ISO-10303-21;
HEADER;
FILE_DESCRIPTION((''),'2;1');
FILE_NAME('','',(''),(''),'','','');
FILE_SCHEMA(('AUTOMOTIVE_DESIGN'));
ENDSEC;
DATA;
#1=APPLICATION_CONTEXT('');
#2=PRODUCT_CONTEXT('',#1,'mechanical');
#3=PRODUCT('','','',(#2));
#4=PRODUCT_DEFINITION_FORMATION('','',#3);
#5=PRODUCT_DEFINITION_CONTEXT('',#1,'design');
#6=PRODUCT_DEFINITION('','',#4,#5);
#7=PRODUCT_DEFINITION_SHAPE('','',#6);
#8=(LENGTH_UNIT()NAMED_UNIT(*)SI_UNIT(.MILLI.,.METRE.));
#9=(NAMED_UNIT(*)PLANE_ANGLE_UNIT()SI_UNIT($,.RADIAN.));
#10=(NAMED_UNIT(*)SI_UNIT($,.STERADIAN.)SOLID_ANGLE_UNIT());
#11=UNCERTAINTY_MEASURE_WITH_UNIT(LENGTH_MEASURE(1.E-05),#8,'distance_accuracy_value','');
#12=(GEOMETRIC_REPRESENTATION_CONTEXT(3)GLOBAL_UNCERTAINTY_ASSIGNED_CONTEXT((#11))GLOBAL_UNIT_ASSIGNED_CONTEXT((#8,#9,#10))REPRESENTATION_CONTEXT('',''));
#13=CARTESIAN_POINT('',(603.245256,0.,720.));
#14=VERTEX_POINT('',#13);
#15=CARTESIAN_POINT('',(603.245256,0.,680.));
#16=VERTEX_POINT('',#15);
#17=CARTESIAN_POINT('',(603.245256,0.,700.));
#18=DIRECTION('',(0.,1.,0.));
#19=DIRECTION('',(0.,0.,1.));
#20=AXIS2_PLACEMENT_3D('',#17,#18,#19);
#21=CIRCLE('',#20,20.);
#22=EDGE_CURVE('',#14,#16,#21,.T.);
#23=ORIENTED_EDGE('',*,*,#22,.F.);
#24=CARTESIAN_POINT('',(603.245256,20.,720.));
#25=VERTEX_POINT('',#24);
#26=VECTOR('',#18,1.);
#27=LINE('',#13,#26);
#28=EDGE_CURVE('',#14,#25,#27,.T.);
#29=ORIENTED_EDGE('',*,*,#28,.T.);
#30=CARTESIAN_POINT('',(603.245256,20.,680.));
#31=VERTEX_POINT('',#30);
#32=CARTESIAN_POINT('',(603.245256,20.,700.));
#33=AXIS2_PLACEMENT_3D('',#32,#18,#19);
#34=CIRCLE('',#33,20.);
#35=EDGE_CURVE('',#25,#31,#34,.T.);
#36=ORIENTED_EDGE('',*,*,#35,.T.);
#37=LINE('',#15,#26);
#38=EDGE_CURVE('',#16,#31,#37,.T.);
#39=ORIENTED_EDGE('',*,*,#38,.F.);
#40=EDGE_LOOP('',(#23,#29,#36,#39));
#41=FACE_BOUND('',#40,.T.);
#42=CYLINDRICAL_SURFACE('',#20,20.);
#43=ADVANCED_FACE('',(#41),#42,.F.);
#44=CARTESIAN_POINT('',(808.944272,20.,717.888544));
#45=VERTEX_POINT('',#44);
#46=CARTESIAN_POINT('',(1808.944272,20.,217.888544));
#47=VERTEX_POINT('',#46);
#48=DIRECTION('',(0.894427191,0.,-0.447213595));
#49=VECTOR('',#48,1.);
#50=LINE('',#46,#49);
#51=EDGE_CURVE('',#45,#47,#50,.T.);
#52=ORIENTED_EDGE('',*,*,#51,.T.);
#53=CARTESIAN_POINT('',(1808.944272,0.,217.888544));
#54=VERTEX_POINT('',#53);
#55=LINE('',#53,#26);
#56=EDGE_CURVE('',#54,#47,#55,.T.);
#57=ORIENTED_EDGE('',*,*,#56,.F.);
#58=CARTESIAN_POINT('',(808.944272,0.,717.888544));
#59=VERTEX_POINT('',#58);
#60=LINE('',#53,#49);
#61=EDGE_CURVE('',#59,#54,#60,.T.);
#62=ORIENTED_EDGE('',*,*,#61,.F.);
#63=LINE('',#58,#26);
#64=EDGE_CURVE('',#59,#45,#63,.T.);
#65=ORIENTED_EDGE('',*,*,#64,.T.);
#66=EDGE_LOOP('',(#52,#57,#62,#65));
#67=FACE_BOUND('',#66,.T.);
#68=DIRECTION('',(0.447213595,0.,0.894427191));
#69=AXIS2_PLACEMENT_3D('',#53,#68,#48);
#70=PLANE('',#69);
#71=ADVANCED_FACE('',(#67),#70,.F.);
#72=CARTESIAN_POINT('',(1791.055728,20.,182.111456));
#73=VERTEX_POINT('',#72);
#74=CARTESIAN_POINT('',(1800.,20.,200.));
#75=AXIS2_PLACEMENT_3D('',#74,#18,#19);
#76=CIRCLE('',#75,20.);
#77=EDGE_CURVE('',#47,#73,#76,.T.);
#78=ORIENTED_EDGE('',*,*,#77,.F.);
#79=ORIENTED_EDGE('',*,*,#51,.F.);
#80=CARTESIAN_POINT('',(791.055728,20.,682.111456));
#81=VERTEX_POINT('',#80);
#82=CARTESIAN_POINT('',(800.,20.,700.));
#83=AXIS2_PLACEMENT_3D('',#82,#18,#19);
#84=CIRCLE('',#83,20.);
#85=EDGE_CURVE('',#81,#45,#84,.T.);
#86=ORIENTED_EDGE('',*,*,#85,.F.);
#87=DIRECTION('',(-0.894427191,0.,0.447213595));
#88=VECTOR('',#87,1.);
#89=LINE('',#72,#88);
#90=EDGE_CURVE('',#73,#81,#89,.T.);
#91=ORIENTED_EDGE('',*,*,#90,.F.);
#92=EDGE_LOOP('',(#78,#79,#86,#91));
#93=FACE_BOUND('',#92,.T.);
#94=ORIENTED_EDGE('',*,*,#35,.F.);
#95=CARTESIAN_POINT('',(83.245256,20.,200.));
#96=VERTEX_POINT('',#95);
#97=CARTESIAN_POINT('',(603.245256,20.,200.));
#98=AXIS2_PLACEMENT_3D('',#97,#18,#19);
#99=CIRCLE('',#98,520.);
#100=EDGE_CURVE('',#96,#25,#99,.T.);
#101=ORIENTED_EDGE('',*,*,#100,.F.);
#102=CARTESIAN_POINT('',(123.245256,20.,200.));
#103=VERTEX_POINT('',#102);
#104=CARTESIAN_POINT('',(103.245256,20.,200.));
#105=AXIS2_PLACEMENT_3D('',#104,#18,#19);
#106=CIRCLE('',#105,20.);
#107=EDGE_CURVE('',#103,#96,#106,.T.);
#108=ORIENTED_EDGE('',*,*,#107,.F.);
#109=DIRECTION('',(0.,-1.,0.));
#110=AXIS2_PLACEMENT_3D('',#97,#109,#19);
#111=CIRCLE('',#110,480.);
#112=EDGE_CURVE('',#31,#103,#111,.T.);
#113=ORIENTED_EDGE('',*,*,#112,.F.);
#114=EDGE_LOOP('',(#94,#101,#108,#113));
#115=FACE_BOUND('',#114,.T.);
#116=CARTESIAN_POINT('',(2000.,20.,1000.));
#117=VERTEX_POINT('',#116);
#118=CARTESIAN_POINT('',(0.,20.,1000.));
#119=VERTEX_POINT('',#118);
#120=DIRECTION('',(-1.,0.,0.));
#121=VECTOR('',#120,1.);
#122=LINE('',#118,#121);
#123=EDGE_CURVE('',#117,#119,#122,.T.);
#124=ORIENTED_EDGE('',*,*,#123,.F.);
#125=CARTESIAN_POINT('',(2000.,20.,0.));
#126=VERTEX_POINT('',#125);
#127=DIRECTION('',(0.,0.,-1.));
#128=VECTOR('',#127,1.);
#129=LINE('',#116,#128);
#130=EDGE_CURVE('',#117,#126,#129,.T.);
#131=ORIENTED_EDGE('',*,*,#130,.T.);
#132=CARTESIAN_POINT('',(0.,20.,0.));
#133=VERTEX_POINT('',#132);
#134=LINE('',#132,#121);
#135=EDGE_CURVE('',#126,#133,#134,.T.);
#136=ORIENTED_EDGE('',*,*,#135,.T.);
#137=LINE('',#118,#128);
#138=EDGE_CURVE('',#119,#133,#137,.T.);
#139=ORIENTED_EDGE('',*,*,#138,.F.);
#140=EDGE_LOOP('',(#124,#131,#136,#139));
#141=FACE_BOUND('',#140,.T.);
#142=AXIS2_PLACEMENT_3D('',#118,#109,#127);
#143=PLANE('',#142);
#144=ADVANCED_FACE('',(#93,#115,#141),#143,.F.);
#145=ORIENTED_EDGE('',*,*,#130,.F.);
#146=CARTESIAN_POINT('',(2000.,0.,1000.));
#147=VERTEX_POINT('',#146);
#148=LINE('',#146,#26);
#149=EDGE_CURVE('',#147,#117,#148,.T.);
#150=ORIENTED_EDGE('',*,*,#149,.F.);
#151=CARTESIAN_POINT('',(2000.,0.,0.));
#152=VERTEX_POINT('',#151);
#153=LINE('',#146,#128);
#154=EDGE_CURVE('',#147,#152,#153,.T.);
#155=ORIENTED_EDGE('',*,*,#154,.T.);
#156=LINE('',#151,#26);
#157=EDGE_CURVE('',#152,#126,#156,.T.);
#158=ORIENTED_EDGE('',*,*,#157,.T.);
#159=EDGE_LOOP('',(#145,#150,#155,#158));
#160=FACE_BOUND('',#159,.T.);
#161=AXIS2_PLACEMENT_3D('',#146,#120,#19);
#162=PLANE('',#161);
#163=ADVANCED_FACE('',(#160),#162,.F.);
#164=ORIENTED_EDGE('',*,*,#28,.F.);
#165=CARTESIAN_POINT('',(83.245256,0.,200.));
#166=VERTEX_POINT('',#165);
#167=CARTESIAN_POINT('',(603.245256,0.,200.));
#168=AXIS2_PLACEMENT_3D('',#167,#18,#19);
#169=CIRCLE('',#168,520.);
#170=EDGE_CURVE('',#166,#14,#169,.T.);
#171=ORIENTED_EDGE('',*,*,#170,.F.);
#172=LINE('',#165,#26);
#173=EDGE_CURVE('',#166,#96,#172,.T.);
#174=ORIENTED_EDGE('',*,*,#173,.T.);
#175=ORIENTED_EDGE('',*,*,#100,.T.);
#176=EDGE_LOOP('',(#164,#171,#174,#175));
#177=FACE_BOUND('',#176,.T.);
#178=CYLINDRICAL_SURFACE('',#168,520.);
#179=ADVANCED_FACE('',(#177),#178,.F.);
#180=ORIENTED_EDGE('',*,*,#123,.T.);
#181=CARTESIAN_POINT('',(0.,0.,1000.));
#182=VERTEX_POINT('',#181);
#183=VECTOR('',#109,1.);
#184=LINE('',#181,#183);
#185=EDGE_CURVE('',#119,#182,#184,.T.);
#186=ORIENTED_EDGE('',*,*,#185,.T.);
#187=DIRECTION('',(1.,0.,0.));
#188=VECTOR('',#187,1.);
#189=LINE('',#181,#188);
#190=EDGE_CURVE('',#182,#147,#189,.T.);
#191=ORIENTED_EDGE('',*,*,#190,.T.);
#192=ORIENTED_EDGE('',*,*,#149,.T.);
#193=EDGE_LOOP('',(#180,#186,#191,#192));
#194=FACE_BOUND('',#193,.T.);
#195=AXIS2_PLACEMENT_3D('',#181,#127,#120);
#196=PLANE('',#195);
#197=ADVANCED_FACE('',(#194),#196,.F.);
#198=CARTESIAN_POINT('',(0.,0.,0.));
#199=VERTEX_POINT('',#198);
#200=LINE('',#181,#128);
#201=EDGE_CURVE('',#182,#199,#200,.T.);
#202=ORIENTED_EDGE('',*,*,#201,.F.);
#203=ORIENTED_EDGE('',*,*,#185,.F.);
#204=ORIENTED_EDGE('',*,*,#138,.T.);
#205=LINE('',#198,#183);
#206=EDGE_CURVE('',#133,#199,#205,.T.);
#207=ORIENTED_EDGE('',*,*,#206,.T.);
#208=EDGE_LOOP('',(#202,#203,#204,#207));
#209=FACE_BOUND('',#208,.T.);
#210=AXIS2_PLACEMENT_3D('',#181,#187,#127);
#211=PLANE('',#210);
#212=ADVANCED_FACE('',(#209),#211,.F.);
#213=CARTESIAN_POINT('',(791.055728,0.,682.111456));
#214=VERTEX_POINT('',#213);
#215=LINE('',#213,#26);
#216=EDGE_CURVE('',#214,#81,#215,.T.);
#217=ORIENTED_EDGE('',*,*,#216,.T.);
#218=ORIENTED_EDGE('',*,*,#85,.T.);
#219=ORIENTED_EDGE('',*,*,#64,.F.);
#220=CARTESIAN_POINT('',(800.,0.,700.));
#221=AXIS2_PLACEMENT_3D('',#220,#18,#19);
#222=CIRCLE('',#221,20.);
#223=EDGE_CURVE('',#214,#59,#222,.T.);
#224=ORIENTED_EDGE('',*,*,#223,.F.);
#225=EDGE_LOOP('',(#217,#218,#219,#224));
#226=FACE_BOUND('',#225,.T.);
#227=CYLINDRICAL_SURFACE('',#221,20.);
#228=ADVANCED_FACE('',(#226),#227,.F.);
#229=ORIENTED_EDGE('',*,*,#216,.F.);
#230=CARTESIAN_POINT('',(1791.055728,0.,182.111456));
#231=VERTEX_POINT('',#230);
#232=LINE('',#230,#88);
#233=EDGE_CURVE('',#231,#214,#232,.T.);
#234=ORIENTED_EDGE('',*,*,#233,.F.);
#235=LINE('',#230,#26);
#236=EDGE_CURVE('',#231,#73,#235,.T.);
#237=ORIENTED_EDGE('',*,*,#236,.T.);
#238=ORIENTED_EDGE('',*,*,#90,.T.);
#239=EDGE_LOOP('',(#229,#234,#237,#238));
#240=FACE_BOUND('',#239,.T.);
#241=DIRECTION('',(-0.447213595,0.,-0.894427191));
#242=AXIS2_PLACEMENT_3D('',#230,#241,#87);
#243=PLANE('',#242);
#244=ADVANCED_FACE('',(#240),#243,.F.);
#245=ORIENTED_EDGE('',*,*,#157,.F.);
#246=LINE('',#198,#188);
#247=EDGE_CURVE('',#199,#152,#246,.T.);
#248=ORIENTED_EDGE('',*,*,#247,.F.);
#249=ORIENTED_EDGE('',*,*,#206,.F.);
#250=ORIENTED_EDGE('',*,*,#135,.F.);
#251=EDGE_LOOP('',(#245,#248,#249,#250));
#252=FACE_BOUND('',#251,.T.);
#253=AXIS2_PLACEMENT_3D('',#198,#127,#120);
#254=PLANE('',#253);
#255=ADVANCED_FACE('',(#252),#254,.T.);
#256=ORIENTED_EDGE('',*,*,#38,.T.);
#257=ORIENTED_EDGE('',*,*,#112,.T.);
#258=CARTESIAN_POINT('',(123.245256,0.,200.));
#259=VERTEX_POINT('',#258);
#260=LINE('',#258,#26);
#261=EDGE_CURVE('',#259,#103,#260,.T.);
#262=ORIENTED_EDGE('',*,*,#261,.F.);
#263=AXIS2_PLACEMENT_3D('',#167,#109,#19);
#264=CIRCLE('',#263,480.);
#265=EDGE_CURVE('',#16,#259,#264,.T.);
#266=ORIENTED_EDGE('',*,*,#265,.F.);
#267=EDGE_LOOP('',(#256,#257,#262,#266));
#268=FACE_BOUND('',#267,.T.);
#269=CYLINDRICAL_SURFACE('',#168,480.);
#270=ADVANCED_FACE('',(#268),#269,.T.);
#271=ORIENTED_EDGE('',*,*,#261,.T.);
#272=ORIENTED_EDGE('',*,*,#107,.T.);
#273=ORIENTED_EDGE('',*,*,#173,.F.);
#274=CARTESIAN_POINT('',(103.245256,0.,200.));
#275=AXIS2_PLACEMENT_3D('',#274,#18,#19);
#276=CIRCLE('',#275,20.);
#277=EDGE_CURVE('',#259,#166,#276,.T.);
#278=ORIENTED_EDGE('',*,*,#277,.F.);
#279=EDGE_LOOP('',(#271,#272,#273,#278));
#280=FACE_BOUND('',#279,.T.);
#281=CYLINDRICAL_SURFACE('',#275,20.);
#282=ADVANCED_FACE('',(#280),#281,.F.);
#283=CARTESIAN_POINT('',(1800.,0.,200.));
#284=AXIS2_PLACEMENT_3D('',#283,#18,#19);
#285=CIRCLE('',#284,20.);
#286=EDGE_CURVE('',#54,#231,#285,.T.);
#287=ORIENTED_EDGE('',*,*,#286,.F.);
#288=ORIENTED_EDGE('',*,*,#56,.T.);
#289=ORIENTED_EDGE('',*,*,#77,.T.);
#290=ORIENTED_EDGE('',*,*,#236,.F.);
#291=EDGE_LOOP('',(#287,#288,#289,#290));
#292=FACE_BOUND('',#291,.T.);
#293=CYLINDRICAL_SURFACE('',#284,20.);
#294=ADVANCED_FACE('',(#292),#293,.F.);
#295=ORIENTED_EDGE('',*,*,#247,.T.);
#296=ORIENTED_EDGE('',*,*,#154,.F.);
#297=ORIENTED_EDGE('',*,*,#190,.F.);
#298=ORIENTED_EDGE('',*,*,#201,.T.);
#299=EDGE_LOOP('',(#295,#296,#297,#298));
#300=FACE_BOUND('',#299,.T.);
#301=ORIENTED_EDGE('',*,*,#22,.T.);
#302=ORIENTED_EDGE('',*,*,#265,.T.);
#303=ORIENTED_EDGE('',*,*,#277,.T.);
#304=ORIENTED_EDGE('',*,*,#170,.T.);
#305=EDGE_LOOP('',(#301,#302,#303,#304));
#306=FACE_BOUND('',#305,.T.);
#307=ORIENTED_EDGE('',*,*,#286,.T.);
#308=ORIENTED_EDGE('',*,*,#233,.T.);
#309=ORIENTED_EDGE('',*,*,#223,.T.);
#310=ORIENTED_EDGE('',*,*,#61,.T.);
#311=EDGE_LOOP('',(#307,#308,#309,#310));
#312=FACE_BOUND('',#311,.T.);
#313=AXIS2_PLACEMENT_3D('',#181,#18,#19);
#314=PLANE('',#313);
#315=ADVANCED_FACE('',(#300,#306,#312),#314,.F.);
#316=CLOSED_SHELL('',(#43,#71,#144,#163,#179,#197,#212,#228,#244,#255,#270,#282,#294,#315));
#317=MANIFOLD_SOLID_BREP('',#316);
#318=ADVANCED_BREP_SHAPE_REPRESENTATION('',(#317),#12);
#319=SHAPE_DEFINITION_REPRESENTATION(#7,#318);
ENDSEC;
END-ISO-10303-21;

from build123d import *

# Parameters (mm, degrees)
ESQUISSE1_W             = 2000
ESQUISSE1_H             = 20
BOSS_EXTRU_1_DEPTH      = 1000
ENL_V_MAT_EXTRU_1_DEPTH = 2237.15741843


with BuildPart() as part:
    # Esquisse1 → Boss.-Extru.1 (new body)
    with BuildSketch(Plane.XY):
        with Locations((1000, 10)):
            Rectangle(ESQUISSE1_W, ESQUISSE1_H)
    extrude(amount=BOSS_EXTRU_1_DEPTH)

    # Esquisse2 → Enlèv. mat.-Extru.1 (cut, through all)
    with BuildSketch(Plane(origin=(0, 20, 0), x_dir=(1, 0, 0), z_dir=(0, 1, 0))):
        with BuildLine():
            Line((1808.94427191, -217.88854382), (808.94427191, -717.88854382))
            ThreePointArc((808.94427191, -717.88854382), (782.11145618, -708.94427191), (791.05572809, -682.11145618))
            Line((791.05572809, -682.11145618), (1791.05572809, -182.11145618))
            ThreePointArc((1791.05572809, -182.11145618), (1817.88854382, -191.05572809), (1808.94427191, -217.88854382))
        make_face()
        with BuildLine():
            ThreePointArc((83.245255668, -200), (235.549729451, -567.695526217), (603.245255668, -720))
            ThreePointArc((603.245255668, -720), (623.245255668, -700), (603.245255668, -680))
            ThreePointArc((603.245255668, -680), (263.834000698, -539.41125497), (123.245255668, -200))
            ThreePointArc((123.245255668, -200), (103.245255668, -180), (83.245255668, -200))
        make_face()
    extrude(amount=-ENL_V_MAT_EXTRU_1_DEPTH, mode=Mode.SUBTRACT)


solid = part.part
